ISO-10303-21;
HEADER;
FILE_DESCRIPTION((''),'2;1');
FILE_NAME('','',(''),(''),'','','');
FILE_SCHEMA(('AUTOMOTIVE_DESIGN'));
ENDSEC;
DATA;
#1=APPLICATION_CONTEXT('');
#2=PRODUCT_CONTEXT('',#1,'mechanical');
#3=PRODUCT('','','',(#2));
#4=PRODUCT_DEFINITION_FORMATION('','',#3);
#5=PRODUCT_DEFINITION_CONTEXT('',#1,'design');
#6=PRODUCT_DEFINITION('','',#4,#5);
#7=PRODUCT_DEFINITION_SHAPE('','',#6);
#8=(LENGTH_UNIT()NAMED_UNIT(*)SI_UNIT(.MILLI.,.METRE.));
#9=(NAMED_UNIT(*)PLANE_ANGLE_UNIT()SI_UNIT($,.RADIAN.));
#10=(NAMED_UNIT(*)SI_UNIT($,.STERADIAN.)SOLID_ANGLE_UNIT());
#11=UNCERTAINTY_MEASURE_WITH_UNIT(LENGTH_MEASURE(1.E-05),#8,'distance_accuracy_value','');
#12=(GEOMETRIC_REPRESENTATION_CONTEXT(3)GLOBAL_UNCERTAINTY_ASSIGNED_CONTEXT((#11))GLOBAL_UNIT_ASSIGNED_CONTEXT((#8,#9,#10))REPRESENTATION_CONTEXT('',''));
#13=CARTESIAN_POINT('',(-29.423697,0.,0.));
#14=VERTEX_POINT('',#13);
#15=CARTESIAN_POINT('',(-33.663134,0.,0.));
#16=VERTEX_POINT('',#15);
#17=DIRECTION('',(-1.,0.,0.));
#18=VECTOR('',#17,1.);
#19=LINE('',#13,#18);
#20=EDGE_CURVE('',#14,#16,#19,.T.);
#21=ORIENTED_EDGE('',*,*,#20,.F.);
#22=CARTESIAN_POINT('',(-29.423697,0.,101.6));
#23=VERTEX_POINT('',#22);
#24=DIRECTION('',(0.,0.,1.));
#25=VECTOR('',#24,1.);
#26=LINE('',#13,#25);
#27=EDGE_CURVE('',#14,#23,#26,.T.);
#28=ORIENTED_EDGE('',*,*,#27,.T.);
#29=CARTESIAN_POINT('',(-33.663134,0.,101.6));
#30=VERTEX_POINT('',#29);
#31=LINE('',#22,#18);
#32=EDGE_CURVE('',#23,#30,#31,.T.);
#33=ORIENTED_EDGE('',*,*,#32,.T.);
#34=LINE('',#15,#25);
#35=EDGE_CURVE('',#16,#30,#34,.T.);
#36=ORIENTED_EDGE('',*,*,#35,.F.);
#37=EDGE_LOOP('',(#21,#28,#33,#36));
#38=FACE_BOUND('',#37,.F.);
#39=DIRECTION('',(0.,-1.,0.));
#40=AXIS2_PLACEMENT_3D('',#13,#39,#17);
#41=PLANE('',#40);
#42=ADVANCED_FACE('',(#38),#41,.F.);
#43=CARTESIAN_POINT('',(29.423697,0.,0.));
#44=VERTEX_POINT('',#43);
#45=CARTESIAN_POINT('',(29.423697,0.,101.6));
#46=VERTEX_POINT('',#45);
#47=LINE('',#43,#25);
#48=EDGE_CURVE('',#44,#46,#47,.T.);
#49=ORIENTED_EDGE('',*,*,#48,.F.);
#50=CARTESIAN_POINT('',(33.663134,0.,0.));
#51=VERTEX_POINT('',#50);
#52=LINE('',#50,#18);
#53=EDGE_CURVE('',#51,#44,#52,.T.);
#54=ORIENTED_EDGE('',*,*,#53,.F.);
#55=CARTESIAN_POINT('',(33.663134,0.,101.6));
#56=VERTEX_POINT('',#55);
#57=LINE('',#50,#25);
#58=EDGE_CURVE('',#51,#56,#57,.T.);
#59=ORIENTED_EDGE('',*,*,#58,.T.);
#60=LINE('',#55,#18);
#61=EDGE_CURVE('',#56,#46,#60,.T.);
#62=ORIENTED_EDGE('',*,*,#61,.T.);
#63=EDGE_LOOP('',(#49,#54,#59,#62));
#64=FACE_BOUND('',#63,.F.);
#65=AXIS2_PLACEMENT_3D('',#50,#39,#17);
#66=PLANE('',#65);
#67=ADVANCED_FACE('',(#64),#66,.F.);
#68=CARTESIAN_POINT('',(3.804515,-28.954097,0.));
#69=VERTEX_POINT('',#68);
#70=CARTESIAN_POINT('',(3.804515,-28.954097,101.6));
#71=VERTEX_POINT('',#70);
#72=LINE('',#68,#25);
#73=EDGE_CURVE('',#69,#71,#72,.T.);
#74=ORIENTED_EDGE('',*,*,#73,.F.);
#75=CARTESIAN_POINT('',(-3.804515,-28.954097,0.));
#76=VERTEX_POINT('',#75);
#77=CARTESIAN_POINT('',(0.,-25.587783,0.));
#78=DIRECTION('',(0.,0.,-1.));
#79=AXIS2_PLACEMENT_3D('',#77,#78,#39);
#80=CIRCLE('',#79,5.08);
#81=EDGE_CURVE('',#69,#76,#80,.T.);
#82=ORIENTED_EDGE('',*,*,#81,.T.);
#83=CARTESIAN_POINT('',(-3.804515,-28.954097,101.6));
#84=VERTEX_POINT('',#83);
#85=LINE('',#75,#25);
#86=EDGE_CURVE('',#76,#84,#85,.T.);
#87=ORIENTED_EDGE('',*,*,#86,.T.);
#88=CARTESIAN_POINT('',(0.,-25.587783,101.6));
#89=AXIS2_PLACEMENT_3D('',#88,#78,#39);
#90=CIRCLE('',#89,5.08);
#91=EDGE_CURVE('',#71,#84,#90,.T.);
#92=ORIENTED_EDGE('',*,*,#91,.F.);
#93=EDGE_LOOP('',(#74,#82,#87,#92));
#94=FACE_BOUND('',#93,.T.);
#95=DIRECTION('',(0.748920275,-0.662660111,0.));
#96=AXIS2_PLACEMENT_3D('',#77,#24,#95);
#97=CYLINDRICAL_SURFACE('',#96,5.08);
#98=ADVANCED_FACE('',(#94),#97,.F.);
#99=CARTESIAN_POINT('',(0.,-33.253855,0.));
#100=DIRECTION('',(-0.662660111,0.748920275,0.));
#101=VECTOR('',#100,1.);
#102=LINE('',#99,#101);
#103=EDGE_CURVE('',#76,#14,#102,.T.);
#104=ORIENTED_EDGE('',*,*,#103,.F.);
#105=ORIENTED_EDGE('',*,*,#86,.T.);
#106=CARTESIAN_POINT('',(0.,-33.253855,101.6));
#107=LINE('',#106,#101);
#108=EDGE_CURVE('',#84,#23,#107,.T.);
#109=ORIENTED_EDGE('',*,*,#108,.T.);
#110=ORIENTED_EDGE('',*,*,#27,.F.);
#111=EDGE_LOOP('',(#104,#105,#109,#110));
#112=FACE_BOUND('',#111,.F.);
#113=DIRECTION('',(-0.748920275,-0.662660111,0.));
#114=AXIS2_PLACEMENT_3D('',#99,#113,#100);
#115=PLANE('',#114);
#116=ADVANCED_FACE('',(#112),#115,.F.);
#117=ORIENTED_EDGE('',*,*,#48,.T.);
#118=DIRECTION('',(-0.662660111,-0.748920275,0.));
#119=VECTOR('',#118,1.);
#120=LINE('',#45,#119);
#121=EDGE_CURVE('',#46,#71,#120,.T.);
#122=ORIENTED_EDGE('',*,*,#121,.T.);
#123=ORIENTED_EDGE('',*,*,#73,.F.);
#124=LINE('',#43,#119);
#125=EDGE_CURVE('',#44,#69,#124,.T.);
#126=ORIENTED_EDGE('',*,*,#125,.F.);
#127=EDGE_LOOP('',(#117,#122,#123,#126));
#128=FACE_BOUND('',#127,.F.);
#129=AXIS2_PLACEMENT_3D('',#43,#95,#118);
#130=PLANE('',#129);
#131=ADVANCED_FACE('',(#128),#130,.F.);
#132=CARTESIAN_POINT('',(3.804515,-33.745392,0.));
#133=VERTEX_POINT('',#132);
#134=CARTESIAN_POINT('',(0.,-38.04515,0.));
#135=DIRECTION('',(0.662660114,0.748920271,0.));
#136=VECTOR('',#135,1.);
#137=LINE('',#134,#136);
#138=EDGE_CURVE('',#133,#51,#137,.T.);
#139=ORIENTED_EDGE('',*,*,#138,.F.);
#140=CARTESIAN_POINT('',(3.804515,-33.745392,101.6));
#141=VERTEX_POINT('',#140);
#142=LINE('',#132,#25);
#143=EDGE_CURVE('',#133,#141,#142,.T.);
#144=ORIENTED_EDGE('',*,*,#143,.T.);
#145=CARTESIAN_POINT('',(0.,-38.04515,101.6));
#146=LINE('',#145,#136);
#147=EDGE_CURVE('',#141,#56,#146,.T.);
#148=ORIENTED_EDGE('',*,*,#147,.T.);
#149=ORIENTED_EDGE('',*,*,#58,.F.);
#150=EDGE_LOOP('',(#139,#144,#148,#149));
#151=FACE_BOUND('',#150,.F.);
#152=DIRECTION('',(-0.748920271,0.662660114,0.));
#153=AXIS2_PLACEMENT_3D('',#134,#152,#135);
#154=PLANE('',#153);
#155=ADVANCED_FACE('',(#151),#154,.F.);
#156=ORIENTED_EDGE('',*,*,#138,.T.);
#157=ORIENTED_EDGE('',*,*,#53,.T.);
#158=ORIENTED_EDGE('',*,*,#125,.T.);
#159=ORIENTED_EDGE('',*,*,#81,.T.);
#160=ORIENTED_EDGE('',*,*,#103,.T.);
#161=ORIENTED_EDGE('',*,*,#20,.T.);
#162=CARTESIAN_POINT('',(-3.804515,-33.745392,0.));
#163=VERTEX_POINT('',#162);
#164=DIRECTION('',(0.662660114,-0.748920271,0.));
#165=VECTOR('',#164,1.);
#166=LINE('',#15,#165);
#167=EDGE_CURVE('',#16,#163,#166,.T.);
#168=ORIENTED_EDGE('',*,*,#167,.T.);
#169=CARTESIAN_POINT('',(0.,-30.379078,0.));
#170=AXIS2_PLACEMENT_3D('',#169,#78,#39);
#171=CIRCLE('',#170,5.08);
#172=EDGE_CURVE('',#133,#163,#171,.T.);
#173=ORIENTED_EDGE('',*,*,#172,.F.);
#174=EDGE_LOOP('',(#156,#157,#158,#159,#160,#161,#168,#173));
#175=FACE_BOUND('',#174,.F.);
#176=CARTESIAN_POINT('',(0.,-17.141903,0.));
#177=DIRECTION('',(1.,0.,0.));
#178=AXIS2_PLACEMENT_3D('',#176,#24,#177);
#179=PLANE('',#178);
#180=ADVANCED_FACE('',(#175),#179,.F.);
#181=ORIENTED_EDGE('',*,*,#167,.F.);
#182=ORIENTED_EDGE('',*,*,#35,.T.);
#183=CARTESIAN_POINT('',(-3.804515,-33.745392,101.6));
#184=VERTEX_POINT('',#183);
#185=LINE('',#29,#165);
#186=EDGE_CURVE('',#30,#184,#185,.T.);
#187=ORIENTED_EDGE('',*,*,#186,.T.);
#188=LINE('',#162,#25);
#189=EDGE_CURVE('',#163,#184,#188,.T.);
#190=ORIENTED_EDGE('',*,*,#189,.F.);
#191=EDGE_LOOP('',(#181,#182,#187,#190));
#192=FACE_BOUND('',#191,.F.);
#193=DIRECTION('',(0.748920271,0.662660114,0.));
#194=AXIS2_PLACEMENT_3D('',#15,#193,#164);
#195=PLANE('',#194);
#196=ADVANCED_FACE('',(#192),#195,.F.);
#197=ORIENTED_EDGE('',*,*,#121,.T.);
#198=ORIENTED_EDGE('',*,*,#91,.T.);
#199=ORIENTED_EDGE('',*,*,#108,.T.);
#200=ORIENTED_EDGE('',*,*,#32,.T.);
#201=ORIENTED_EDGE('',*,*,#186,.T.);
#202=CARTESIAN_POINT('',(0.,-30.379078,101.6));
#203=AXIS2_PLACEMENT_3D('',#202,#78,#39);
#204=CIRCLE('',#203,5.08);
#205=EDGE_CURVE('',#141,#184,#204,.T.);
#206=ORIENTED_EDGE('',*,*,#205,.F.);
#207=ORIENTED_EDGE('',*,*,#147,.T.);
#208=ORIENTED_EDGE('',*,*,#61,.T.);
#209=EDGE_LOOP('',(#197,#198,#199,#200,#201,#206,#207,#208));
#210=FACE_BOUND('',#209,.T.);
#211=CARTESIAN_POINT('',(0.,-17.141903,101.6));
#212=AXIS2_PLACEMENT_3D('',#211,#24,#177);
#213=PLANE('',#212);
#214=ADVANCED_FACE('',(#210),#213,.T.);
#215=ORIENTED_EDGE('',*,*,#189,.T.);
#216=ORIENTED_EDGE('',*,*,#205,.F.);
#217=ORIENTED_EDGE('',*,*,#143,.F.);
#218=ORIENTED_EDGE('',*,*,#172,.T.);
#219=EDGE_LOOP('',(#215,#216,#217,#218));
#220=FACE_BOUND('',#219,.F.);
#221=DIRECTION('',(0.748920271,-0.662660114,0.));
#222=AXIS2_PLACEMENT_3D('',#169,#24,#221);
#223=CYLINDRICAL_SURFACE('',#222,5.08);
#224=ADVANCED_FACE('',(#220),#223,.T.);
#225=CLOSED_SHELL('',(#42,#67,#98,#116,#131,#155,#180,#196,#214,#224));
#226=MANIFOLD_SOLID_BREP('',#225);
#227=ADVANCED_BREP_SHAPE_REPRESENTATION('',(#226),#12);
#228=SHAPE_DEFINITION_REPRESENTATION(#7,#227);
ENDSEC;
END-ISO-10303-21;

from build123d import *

# Parameters (mm, degrees)
F1_DEPTH = 101.6
F2_R     = 5.08
F3_R     = 5.08


with BuildPart() as f1:
    # F0 (on Top) → F1 (new body)
    with BuildSketch(Plane.XY):
        Polygon((-33.663134, 0), (0, -38.04515), (33.663134, 0), (29.423697, 0), (0, -33.253855), (-29.423697, 0), align=None)
    extrude(amount=F1_DEPTH)

    # F2
    f2_edges = [f1.edges().sort_by_distance(p)[0] for p in [
        (0, -33.253855, 50.8),
    ]]
    fillet(f2_edges, radius=F2_R)

    # F3
    f3_edges = [f1.edges().sort_by_distance(p)[0] for p in [
        (0, -38.04515, 50.8),
    ]]
    fillet(f3_edges, radius=F3_R)


solid = f1.part
